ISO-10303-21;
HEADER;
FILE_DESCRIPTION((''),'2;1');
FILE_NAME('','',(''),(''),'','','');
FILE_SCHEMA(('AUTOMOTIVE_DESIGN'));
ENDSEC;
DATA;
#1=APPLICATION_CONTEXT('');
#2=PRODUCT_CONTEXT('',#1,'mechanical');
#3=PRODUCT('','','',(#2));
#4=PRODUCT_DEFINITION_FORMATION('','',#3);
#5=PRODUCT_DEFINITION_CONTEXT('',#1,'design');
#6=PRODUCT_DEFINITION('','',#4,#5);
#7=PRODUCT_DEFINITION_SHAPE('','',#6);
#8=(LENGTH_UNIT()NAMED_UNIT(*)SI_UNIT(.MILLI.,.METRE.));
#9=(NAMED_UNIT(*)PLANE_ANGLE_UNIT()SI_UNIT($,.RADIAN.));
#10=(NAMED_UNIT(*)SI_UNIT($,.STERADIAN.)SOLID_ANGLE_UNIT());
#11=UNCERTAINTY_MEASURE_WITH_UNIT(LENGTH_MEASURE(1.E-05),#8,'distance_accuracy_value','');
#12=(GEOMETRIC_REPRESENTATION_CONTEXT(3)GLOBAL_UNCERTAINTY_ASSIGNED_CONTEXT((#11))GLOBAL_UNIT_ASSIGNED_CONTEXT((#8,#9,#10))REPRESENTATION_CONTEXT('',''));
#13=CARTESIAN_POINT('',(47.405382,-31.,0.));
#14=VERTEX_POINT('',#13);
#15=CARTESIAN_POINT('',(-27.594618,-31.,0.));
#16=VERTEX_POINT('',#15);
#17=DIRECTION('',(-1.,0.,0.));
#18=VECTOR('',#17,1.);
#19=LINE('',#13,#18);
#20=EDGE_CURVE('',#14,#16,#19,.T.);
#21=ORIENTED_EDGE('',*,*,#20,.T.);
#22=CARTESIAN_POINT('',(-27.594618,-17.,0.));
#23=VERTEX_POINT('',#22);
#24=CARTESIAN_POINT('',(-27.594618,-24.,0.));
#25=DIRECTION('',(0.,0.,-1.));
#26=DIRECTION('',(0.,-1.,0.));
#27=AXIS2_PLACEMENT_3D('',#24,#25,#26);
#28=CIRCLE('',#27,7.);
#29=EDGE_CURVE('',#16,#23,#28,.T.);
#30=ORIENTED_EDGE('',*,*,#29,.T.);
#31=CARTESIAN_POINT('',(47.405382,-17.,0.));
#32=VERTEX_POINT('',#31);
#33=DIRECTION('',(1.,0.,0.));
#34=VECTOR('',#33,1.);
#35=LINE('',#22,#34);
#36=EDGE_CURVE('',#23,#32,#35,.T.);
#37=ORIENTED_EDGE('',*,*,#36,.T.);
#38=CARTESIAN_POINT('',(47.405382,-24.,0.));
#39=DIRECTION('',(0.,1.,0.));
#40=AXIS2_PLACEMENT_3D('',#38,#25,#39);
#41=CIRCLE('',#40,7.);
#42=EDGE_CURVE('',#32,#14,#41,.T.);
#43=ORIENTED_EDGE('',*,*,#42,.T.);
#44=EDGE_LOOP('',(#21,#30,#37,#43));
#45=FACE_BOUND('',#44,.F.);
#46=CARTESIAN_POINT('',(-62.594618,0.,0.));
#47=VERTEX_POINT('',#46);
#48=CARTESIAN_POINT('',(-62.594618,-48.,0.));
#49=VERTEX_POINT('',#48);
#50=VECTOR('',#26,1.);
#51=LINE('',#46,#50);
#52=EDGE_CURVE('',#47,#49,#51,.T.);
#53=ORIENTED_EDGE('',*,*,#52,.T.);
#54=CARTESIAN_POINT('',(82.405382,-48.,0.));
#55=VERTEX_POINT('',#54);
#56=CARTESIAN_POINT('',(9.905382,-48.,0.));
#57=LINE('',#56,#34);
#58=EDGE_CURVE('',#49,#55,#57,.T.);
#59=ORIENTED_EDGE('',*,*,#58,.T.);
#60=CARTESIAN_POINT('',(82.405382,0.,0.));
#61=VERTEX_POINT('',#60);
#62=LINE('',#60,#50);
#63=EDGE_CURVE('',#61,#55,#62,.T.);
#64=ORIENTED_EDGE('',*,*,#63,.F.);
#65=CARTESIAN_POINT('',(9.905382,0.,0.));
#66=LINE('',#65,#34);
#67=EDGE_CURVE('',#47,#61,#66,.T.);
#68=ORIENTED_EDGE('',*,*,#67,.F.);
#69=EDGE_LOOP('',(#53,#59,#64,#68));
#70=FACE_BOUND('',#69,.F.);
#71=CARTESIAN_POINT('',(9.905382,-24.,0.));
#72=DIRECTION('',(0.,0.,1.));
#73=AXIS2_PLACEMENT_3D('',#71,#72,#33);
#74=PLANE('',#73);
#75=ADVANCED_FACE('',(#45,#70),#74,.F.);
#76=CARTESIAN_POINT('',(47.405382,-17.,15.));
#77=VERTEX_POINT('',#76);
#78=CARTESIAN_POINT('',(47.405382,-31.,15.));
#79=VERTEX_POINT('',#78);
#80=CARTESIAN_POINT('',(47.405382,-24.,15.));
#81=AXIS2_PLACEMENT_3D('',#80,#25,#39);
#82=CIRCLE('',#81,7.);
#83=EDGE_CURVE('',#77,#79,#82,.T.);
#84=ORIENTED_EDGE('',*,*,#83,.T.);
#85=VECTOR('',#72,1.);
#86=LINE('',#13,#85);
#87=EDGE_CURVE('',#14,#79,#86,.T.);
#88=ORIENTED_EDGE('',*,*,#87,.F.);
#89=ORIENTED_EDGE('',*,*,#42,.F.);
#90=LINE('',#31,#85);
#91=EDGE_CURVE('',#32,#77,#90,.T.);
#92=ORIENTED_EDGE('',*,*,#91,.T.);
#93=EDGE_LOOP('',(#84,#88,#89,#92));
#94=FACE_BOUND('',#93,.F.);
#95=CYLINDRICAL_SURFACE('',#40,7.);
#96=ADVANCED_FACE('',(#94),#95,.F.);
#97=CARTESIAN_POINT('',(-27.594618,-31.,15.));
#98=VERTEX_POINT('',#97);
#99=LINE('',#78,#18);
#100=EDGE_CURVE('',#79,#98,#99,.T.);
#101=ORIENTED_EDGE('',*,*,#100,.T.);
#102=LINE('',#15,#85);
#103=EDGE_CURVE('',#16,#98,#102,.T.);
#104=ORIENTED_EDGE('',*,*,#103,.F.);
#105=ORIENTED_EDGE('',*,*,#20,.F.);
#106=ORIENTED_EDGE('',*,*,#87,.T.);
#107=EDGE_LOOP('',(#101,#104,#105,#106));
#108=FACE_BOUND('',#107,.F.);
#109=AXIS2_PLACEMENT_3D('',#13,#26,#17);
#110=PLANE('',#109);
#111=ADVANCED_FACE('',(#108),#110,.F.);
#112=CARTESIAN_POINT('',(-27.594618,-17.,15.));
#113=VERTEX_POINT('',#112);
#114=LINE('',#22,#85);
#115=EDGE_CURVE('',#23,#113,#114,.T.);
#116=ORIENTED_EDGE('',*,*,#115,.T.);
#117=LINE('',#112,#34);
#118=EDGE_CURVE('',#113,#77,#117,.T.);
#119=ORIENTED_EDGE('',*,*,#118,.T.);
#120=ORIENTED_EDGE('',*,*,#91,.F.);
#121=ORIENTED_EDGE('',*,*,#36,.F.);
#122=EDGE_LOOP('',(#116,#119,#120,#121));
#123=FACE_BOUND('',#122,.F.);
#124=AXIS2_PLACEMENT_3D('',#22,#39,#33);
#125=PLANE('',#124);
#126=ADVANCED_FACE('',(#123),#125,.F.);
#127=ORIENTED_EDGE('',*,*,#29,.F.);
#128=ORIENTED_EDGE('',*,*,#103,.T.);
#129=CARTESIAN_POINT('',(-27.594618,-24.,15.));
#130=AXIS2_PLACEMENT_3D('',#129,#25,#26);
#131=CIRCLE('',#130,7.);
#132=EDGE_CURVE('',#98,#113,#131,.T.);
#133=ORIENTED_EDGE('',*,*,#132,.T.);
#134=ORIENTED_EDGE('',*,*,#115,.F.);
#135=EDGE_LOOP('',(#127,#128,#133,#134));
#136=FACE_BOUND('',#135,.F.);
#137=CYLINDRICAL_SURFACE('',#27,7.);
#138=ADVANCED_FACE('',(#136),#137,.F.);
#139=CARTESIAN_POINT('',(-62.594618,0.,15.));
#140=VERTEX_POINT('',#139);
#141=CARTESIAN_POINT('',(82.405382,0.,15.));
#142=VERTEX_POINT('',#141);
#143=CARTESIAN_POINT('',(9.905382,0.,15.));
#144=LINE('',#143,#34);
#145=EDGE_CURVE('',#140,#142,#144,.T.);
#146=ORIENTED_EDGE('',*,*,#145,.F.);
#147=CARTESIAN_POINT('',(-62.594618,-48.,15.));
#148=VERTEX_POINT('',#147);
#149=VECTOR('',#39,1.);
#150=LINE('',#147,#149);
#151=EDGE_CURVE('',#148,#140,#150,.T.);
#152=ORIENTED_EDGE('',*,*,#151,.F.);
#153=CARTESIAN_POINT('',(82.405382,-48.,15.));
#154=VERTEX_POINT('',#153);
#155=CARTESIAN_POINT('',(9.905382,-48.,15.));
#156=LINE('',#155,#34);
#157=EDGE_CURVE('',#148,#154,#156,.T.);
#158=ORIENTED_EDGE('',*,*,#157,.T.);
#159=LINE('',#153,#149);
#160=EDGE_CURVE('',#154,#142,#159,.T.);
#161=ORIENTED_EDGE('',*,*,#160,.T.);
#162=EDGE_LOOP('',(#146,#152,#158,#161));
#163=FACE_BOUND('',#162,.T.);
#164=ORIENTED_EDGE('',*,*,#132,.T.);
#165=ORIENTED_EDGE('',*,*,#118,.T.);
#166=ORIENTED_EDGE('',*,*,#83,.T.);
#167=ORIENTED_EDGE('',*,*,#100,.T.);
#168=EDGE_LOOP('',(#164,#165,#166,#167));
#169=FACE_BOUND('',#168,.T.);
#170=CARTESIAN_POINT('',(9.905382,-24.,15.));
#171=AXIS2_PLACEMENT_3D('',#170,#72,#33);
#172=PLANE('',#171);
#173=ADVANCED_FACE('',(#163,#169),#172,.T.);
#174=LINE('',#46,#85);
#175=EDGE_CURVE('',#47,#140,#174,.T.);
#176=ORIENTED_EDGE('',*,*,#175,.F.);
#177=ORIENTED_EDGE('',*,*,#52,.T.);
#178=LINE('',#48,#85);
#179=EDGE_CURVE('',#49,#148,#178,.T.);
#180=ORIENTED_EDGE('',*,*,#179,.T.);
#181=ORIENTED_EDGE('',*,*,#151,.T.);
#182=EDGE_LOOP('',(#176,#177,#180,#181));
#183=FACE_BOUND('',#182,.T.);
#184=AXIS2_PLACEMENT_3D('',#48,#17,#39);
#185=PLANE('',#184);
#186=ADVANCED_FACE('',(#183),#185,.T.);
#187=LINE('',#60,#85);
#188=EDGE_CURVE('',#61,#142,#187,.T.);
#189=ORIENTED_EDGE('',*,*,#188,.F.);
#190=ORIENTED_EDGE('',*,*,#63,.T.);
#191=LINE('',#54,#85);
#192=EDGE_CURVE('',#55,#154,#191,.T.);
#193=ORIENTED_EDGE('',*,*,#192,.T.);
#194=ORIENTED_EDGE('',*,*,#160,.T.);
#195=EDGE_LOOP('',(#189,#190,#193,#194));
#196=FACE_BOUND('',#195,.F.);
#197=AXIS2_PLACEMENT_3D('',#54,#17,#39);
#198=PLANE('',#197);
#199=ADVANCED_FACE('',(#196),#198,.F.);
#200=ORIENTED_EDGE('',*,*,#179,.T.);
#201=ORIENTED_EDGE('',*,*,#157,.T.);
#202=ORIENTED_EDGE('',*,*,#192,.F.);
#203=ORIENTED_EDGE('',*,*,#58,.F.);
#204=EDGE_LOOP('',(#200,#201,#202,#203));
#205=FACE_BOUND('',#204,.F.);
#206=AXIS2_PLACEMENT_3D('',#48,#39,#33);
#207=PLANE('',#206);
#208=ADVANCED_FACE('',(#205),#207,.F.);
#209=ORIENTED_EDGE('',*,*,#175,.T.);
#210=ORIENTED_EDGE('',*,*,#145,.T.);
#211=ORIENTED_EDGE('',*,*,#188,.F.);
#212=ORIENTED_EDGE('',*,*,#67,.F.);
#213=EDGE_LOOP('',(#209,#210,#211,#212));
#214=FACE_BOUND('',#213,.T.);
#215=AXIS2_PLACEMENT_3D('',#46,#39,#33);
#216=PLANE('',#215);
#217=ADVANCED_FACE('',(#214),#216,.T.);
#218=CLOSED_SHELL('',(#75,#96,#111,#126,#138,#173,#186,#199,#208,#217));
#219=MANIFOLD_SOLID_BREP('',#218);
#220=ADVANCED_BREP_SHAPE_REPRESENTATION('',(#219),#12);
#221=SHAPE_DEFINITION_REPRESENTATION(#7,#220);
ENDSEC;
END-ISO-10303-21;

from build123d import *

# Parameters (mm, degrees)
F0_W     = 145
F0_H     = 48
F1_DEPTH = 15
F2_W     = 145
F2_H     = 12
F3_DEPTH = 15


with BuildPart() as f1:
    # F0 (on Top) → F1 (new body)
    with BuildSketch(Plane.XY):
        with Locations((9.905382, -24)):
            Rectangle(F0_W, F0_H)
        with BuildLine():
            ThreePointArc((-27.594618, -31), (-34.594618, -24), (-27.594618, -17))
            Line((-27.594618, -17), (47.405382, -17))
            ThreePointArc((47.405382, -17), (54.405382, -24), (47.405382, -31))
            Line((47.405382, -31), (-27.594618, -31))
        make_face(mode=Mode.SUBTRACT)
    extrude(amount=F1_DEPTH)

    # F2 (on Top) → F3 (join)
    with BuildSketch(Plane.XY):
        with Locations((9.905382, -6)):
            Rectangle(F2_W, F2_H)
    extrude(amount=F3_DEPTH)


solid = f1.part
